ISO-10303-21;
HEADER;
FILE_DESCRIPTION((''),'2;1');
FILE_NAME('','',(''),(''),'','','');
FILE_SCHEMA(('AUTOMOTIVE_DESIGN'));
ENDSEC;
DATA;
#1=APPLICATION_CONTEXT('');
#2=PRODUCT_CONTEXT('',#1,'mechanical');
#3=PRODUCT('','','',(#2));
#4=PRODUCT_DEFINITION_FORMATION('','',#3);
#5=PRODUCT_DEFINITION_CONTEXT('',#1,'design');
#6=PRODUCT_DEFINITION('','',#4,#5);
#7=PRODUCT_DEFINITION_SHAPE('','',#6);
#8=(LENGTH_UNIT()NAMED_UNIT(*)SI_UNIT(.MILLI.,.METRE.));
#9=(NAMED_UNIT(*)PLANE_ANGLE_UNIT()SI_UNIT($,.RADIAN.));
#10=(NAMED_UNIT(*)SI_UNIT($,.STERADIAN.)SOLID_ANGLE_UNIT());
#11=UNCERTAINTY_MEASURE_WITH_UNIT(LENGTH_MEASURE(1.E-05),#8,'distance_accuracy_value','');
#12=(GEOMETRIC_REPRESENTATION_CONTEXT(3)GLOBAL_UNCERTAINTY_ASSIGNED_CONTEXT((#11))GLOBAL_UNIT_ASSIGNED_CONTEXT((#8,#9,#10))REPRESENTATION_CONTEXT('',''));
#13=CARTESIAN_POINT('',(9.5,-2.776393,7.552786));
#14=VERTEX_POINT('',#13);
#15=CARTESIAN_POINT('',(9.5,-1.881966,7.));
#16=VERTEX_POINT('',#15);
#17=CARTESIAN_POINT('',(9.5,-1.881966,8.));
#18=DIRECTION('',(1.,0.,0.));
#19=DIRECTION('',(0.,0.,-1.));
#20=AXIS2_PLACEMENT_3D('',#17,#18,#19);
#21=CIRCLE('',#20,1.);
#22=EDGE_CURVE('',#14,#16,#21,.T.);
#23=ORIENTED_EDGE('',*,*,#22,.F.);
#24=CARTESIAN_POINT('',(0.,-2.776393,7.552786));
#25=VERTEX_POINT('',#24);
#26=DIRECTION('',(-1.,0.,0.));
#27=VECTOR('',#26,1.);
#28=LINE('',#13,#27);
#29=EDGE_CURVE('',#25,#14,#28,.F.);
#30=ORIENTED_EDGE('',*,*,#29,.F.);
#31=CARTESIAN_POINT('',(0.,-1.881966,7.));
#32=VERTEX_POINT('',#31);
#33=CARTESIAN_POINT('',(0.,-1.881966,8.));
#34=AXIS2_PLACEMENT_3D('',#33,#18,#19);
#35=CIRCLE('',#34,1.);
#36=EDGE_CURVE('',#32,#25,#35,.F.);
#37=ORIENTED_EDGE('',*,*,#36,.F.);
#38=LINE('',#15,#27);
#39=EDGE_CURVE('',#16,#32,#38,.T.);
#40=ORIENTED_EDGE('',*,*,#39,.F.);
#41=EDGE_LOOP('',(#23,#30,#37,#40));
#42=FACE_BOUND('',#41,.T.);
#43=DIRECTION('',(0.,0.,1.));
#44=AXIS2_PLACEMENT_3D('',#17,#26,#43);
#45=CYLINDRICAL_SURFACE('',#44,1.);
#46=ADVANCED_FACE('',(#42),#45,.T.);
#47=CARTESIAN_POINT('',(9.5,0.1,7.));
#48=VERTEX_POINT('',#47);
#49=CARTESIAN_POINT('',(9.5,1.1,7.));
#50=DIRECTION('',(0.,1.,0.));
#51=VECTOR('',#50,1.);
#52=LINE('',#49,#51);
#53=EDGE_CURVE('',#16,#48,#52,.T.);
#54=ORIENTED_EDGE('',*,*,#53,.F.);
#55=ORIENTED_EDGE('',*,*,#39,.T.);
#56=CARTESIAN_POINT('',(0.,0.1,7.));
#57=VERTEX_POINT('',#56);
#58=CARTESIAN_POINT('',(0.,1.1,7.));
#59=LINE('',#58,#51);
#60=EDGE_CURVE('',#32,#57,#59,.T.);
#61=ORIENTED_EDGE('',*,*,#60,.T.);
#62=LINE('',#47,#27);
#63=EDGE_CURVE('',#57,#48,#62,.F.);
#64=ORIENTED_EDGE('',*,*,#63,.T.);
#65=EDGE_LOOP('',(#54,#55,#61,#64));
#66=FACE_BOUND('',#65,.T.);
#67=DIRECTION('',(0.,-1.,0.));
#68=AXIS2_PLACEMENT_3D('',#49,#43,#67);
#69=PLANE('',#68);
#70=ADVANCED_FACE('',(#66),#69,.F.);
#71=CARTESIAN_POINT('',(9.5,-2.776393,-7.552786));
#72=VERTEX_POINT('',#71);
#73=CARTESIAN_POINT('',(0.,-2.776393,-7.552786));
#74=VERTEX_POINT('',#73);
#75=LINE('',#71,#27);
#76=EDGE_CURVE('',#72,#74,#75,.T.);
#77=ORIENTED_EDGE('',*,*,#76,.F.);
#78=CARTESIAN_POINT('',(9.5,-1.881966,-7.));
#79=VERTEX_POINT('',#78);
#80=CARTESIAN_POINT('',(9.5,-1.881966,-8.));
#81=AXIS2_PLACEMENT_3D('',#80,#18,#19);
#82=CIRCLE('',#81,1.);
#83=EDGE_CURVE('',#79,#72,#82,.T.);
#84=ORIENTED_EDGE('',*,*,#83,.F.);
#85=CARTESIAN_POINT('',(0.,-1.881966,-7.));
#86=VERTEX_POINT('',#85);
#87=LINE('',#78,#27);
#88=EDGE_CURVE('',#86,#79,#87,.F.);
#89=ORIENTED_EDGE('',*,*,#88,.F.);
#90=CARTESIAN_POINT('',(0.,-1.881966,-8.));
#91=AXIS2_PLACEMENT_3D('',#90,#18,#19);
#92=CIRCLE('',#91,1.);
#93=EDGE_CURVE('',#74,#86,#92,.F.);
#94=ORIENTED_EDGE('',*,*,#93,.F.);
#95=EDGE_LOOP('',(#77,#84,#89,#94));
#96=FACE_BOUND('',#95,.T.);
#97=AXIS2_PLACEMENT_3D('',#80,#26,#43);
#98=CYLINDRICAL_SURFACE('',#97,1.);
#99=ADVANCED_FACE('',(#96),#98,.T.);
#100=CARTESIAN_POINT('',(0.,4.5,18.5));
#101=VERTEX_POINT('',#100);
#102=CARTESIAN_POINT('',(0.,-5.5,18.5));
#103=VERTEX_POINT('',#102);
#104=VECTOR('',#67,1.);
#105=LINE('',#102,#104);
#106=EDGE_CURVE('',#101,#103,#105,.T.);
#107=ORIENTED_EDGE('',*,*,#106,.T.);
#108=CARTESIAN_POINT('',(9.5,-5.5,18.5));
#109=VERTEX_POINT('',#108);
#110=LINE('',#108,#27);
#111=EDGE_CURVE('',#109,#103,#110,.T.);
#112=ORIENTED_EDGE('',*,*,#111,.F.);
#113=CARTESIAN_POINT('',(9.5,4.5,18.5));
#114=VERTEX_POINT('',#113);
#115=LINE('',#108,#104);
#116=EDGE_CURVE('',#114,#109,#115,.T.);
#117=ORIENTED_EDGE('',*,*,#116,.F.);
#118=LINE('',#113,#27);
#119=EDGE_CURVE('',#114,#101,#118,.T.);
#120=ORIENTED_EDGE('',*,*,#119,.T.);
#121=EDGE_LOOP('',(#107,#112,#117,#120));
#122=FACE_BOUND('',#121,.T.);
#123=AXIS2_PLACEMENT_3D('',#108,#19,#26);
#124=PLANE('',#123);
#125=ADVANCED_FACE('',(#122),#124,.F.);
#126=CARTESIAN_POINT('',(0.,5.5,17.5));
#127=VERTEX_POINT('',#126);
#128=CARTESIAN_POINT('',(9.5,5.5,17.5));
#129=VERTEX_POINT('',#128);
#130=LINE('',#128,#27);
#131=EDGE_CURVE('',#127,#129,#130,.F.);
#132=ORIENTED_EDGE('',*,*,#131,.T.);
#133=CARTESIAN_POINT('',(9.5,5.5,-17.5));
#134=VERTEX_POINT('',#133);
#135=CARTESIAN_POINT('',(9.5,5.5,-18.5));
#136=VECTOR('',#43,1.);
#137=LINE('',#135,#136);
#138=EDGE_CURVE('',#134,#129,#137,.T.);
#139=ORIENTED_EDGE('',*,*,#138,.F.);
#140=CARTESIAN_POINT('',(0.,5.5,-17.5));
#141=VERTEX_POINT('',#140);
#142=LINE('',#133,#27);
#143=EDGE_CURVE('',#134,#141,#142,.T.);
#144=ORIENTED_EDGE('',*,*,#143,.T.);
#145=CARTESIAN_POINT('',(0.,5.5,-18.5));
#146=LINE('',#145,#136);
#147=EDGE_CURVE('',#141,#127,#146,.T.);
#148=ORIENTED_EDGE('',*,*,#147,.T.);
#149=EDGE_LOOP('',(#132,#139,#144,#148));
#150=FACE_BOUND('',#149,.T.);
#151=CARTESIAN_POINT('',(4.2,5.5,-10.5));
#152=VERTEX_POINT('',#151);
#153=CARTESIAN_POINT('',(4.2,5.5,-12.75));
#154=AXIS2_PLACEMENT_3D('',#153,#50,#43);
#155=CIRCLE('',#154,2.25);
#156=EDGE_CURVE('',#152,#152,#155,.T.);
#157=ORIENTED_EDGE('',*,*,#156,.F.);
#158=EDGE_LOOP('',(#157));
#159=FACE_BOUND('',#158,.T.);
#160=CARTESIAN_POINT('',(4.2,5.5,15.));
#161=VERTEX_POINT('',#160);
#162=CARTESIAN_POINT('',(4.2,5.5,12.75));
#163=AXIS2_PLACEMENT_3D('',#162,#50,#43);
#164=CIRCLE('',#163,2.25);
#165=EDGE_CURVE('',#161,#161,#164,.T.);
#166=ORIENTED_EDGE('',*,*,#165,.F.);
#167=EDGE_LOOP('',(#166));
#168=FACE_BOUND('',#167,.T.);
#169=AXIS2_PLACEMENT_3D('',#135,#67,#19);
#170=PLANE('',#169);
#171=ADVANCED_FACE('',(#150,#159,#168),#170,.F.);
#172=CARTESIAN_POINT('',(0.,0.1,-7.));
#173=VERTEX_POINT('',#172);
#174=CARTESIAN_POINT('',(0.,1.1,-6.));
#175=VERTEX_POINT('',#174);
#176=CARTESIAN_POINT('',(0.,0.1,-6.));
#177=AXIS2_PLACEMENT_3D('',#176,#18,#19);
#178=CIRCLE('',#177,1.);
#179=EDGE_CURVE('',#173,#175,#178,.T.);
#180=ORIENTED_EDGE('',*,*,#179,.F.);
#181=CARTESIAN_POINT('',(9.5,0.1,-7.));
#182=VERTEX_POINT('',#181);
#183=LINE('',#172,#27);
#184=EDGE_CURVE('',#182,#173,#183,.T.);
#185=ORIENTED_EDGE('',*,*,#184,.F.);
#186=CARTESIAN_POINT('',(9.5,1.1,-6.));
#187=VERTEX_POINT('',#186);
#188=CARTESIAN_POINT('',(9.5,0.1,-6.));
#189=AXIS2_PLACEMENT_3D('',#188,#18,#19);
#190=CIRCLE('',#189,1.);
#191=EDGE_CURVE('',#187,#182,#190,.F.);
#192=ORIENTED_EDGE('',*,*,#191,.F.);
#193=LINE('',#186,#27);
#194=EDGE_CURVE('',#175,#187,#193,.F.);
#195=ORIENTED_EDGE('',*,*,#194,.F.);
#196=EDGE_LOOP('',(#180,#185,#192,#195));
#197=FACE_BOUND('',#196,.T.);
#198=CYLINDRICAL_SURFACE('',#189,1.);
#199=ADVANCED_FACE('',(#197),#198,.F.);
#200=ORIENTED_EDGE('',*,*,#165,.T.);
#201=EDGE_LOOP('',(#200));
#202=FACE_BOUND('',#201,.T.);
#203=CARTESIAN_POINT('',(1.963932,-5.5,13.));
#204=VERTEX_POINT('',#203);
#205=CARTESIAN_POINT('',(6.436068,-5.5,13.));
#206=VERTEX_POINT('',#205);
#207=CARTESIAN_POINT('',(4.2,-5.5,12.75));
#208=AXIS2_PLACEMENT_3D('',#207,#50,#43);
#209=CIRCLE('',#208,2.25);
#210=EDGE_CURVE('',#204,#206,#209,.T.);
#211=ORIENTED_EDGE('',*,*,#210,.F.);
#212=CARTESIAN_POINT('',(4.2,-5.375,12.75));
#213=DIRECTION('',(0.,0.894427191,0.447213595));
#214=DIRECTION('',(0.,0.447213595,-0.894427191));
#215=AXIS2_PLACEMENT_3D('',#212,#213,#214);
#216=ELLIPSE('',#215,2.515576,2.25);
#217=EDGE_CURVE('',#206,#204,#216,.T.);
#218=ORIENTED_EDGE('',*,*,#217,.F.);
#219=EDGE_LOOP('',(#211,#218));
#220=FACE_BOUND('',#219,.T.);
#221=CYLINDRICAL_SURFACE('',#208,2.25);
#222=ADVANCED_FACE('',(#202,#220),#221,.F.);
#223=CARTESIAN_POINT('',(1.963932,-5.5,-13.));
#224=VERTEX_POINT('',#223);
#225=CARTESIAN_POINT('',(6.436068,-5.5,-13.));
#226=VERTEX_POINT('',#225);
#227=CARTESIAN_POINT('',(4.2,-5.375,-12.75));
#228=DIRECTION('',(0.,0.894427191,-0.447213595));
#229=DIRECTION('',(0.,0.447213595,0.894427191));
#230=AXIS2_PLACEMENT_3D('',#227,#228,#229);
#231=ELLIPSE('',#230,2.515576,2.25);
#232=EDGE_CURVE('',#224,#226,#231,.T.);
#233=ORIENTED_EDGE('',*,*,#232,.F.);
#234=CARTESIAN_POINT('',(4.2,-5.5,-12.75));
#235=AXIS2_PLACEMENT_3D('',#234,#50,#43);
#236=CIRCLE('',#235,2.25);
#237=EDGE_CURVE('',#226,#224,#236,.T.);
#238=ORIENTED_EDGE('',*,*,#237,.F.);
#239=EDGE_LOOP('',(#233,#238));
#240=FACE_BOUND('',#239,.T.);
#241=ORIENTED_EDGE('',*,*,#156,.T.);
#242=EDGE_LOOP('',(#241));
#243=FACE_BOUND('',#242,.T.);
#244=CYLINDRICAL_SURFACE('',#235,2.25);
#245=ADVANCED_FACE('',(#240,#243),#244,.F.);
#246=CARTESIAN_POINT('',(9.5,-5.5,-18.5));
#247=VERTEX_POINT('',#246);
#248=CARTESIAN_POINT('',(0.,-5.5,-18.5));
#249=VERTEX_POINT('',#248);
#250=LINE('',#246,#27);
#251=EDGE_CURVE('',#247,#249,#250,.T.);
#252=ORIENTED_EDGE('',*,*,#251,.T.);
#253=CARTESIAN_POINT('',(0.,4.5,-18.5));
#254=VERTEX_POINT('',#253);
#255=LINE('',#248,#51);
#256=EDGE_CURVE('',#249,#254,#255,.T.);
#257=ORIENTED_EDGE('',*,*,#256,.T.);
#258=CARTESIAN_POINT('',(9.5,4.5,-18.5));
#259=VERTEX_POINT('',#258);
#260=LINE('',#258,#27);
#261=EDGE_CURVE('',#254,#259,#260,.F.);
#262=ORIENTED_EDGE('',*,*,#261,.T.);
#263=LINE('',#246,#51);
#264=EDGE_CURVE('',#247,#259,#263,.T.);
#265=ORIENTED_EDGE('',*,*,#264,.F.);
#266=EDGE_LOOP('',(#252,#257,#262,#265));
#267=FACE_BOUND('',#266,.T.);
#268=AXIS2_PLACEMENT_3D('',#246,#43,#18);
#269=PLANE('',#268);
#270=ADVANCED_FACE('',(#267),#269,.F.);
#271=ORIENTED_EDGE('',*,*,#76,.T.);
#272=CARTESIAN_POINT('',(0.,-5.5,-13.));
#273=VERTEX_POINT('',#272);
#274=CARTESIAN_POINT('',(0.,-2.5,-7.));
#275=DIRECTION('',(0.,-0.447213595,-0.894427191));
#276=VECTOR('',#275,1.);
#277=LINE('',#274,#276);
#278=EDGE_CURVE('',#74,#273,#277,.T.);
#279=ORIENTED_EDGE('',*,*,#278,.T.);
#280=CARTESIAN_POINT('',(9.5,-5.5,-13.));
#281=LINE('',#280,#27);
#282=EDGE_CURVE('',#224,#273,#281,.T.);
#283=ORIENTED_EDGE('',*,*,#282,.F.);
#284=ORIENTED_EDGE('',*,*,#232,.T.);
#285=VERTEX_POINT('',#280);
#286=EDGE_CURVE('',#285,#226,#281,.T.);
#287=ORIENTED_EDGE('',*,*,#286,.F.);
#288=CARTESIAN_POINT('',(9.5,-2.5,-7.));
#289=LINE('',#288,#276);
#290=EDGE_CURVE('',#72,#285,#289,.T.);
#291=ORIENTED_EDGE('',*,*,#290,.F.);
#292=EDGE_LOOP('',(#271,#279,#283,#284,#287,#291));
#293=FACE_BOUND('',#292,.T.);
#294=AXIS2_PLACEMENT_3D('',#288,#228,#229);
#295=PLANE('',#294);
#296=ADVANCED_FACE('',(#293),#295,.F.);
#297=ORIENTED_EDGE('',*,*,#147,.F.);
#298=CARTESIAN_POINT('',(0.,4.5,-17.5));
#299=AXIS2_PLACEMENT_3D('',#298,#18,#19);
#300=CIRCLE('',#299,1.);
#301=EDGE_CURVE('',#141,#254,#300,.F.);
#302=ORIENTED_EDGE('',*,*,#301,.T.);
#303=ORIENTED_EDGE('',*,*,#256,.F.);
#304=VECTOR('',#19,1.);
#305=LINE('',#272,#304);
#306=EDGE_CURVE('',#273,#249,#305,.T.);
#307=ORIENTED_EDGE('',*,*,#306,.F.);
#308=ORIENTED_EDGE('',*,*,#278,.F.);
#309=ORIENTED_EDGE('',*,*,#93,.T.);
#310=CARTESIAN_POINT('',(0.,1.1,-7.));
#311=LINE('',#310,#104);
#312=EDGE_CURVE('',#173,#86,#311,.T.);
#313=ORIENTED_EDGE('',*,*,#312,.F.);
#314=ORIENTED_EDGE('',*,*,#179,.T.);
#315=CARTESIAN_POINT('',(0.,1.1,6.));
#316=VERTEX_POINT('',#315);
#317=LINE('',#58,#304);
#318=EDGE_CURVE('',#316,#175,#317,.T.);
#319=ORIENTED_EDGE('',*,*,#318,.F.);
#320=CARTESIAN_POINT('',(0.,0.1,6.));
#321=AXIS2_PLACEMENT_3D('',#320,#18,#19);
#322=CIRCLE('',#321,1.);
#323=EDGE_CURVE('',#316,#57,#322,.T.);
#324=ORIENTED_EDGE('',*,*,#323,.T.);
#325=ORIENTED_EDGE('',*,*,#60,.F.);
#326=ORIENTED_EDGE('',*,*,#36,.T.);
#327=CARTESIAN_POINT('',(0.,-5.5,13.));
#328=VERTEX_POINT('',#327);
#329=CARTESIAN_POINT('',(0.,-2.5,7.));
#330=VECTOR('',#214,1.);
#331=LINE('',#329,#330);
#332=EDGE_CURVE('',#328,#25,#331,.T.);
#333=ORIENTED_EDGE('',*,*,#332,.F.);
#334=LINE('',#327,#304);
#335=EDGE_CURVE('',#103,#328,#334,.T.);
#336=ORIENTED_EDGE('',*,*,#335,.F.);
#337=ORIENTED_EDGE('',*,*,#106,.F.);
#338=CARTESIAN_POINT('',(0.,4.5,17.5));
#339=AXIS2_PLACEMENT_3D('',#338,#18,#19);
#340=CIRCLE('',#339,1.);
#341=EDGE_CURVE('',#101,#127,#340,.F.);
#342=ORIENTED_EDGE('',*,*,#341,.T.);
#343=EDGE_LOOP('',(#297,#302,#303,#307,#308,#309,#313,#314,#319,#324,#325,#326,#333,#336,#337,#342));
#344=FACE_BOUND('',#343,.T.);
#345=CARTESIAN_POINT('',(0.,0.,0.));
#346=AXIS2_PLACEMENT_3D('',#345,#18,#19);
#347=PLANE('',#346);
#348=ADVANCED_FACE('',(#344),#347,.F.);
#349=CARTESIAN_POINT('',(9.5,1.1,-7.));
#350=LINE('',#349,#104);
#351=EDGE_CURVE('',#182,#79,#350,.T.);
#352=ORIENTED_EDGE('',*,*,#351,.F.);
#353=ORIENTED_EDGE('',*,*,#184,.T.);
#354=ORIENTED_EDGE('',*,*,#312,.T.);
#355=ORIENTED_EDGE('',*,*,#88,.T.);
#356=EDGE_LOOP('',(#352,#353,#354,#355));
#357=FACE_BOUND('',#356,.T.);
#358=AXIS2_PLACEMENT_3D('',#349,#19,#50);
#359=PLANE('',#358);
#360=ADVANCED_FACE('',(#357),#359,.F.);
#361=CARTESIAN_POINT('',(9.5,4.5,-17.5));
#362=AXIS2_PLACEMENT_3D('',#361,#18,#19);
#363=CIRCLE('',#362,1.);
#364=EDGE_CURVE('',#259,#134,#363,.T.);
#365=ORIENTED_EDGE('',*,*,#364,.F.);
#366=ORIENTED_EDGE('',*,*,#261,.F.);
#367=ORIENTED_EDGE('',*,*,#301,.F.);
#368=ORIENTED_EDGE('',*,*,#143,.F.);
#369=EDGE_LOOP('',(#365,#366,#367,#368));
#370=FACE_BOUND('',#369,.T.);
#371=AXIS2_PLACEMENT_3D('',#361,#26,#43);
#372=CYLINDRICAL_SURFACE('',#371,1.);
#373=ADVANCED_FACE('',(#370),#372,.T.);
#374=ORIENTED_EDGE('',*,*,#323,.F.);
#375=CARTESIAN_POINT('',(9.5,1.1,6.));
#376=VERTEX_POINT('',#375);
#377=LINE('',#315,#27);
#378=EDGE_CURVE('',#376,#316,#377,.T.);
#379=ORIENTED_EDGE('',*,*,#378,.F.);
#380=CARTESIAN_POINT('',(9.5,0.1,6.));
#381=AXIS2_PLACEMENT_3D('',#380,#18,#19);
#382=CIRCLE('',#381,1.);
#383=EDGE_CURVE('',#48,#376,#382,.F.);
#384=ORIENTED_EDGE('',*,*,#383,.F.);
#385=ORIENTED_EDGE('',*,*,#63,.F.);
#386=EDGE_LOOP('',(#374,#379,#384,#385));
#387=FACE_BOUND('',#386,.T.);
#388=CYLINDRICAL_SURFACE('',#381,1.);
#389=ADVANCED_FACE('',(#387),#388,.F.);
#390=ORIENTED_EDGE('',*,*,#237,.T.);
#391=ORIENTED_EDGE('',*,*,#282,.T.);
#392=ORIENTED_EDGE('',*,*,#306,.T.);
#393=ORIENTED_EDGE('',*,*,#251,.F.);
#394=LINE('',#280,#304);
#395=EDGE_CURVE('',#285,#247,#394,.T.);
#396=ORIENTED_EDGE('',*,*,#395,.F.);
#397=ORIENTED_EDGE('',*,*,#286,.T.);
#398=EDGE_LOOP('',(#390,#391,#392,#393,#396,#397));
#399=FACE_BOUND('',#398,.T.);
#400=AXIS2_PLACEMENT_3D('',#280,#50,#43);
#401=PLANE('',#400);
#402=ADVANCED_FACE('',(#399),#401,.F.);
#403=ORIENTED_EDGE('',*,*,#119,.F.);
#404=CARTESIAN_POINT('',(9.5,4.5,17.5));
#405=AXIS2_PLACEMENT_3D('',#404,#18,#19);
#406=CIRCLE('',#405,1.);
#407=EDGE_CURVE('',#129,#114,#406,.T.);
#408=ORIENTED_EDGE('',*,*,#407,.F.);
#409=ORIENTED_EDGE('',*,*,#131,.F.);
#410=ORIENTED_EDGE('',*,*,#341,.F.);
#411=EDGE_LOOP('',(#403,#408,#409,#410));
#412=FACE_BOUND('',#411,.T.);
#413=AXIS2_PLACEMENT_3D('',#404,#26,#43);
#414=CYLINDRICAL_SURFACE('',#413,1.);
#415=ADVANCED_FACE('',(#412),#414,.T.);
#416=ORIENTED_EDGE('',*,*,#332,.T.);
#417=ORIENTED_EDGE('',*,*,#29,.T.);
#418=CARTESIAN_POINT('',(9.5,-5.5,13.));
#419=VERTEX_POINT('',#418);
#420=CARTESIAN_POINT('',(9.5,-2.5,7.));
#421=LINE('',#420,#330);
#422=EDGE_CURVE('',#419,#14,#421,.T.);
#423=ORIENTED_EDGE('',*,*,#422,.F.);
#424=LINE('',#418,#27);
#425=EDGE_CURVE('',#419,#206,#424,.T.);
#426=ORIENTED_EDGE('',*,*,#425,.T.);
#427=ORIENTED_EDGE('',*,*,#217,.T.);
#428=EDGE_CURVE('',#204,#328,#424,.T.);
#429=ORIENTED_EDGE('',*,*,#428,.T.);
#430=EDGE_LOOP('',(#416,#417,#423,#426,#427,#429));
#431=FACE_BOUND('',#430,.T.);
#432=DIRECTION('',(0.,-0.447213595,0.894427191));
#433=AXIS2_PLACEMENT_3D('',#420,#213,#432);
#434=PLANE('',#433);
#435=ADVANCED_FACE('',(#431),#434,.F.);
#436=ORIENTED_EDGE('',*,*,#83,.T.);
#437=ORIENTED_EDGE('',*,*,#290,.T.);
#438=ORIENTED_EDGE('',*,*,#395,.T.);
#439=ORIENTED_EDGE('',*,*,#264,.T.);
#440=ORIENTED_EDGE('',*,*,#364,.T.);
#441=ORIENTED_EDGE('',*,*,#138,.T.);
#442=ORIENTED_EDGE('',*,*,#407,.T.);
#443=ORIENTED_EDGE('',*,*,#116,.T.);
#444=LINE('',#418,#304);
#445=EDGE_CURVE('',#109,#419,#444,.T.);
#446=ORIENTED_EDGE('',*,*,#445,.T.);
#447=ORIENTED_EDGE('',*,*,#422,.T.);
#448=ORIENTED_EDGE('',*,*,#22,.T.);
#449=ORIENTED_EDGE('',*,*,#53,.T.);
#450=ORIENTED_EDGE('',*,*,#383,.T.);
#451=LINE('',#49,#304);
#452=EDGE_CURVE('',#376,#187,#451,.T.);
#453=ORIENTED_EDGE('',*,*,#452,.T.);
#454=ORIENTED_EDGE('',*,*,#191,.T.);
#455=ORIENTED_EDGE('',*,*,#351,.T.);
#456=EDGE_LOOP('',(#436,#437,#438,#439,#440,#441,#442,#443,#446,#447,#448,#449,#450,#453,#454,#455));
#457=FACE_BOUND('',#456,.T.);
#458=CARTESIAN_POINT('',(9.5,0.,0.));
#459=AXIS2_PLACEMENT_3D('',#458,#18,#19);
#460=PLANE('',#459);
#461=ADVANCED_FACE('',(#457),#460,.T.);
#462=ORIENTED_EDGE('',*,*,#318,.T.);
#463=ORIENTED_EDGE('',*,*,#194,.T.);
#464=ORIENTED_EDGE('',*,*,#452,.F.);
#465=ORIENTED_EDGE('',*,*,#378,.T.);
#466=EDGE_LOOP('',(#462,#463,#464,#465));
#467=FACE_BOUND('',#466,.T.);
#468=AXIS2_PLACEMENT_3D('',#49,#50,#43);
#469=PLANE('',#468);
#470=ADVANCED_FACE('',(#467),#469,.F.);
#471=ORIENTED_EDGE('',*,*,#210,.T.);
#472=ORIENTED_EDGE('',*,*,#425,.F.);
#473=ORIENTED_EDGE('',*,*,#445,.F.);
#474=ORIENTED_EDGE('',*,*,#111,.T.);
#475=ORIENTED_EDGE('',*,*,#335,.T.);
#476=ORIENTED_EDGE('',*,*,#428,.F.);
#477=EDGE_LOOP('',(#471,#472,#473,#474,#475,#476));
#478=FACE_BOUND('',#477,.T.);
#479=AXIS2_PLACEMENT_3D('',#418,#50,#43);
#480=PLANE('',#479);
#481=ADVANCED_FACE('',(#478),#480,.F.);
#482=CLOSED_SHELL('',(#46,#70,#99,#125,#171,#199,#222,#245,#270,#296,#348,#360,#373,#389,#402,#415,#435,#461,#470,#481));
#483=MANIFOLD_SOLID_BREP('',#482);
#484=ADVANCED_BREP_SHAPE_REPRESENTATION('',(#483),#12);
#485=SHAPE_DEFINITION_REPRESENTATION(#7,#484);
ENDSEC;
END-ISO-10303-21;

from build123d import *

# Parameters (mm, degrees)
BOSS_EXTRUDE1_DEPTH = 9.5
SKETCH2_R           = 2.25
CUT_EXTRUDE1_DEPTH  = 12
FILLET1_R           = 1


with BuildPart() as part:
    # Sketch1 → Boss-Extrude1 (new body)
    with BuildSketch(Plane(origin=(0, 0, 0), x_dir=(0, 0, -1), z_dir=(1, 0, 0))):
        Polygon((-7, 1.1), (7, 1.1), (7, -2.5), (13, -5.5), (18.5, -5.5), (18.5, 5.5), (-18.5, 5.5), (-18.5, -5.5), (-13, -5.5), (-7, -2.5), align=None)
    extrude(amount=BOSS_EXTRUDE1_DEPTH)

    # Sketch2 → Cut-Extrude1 (cut, through all)
    with BuildSketch(Plane(origin=(0, 5.5, 0), x_dir=(1, 0, 0), z_dir=(0, 1, 0))):
        with Locations((4.2, -12.75)):
            Circle(SKETCH2_R)
        with Locations((4.2, 12.75)):
            Circle(SKETCH2_R)
    extrude(amount=-CUT_EXTRUDE1_DEPTH, mode=Mode.SUBTRACT)

    # Fillet1
    fillet1_edges = [part.edges().sort_by_distance(p)[0] for p in [
        (4.75, 5.5, 18.5),
        (4.75, 5.5, -18.5),
        (4.75, -2.5, -7),
        (4.75, 1.1, -7),
        (4.75, 1.1, 7),
        (4.75, -2.5, 7),
    ]]
    fillet(fillet1_edges, radius=FILLET1_R)


solid = part.part
